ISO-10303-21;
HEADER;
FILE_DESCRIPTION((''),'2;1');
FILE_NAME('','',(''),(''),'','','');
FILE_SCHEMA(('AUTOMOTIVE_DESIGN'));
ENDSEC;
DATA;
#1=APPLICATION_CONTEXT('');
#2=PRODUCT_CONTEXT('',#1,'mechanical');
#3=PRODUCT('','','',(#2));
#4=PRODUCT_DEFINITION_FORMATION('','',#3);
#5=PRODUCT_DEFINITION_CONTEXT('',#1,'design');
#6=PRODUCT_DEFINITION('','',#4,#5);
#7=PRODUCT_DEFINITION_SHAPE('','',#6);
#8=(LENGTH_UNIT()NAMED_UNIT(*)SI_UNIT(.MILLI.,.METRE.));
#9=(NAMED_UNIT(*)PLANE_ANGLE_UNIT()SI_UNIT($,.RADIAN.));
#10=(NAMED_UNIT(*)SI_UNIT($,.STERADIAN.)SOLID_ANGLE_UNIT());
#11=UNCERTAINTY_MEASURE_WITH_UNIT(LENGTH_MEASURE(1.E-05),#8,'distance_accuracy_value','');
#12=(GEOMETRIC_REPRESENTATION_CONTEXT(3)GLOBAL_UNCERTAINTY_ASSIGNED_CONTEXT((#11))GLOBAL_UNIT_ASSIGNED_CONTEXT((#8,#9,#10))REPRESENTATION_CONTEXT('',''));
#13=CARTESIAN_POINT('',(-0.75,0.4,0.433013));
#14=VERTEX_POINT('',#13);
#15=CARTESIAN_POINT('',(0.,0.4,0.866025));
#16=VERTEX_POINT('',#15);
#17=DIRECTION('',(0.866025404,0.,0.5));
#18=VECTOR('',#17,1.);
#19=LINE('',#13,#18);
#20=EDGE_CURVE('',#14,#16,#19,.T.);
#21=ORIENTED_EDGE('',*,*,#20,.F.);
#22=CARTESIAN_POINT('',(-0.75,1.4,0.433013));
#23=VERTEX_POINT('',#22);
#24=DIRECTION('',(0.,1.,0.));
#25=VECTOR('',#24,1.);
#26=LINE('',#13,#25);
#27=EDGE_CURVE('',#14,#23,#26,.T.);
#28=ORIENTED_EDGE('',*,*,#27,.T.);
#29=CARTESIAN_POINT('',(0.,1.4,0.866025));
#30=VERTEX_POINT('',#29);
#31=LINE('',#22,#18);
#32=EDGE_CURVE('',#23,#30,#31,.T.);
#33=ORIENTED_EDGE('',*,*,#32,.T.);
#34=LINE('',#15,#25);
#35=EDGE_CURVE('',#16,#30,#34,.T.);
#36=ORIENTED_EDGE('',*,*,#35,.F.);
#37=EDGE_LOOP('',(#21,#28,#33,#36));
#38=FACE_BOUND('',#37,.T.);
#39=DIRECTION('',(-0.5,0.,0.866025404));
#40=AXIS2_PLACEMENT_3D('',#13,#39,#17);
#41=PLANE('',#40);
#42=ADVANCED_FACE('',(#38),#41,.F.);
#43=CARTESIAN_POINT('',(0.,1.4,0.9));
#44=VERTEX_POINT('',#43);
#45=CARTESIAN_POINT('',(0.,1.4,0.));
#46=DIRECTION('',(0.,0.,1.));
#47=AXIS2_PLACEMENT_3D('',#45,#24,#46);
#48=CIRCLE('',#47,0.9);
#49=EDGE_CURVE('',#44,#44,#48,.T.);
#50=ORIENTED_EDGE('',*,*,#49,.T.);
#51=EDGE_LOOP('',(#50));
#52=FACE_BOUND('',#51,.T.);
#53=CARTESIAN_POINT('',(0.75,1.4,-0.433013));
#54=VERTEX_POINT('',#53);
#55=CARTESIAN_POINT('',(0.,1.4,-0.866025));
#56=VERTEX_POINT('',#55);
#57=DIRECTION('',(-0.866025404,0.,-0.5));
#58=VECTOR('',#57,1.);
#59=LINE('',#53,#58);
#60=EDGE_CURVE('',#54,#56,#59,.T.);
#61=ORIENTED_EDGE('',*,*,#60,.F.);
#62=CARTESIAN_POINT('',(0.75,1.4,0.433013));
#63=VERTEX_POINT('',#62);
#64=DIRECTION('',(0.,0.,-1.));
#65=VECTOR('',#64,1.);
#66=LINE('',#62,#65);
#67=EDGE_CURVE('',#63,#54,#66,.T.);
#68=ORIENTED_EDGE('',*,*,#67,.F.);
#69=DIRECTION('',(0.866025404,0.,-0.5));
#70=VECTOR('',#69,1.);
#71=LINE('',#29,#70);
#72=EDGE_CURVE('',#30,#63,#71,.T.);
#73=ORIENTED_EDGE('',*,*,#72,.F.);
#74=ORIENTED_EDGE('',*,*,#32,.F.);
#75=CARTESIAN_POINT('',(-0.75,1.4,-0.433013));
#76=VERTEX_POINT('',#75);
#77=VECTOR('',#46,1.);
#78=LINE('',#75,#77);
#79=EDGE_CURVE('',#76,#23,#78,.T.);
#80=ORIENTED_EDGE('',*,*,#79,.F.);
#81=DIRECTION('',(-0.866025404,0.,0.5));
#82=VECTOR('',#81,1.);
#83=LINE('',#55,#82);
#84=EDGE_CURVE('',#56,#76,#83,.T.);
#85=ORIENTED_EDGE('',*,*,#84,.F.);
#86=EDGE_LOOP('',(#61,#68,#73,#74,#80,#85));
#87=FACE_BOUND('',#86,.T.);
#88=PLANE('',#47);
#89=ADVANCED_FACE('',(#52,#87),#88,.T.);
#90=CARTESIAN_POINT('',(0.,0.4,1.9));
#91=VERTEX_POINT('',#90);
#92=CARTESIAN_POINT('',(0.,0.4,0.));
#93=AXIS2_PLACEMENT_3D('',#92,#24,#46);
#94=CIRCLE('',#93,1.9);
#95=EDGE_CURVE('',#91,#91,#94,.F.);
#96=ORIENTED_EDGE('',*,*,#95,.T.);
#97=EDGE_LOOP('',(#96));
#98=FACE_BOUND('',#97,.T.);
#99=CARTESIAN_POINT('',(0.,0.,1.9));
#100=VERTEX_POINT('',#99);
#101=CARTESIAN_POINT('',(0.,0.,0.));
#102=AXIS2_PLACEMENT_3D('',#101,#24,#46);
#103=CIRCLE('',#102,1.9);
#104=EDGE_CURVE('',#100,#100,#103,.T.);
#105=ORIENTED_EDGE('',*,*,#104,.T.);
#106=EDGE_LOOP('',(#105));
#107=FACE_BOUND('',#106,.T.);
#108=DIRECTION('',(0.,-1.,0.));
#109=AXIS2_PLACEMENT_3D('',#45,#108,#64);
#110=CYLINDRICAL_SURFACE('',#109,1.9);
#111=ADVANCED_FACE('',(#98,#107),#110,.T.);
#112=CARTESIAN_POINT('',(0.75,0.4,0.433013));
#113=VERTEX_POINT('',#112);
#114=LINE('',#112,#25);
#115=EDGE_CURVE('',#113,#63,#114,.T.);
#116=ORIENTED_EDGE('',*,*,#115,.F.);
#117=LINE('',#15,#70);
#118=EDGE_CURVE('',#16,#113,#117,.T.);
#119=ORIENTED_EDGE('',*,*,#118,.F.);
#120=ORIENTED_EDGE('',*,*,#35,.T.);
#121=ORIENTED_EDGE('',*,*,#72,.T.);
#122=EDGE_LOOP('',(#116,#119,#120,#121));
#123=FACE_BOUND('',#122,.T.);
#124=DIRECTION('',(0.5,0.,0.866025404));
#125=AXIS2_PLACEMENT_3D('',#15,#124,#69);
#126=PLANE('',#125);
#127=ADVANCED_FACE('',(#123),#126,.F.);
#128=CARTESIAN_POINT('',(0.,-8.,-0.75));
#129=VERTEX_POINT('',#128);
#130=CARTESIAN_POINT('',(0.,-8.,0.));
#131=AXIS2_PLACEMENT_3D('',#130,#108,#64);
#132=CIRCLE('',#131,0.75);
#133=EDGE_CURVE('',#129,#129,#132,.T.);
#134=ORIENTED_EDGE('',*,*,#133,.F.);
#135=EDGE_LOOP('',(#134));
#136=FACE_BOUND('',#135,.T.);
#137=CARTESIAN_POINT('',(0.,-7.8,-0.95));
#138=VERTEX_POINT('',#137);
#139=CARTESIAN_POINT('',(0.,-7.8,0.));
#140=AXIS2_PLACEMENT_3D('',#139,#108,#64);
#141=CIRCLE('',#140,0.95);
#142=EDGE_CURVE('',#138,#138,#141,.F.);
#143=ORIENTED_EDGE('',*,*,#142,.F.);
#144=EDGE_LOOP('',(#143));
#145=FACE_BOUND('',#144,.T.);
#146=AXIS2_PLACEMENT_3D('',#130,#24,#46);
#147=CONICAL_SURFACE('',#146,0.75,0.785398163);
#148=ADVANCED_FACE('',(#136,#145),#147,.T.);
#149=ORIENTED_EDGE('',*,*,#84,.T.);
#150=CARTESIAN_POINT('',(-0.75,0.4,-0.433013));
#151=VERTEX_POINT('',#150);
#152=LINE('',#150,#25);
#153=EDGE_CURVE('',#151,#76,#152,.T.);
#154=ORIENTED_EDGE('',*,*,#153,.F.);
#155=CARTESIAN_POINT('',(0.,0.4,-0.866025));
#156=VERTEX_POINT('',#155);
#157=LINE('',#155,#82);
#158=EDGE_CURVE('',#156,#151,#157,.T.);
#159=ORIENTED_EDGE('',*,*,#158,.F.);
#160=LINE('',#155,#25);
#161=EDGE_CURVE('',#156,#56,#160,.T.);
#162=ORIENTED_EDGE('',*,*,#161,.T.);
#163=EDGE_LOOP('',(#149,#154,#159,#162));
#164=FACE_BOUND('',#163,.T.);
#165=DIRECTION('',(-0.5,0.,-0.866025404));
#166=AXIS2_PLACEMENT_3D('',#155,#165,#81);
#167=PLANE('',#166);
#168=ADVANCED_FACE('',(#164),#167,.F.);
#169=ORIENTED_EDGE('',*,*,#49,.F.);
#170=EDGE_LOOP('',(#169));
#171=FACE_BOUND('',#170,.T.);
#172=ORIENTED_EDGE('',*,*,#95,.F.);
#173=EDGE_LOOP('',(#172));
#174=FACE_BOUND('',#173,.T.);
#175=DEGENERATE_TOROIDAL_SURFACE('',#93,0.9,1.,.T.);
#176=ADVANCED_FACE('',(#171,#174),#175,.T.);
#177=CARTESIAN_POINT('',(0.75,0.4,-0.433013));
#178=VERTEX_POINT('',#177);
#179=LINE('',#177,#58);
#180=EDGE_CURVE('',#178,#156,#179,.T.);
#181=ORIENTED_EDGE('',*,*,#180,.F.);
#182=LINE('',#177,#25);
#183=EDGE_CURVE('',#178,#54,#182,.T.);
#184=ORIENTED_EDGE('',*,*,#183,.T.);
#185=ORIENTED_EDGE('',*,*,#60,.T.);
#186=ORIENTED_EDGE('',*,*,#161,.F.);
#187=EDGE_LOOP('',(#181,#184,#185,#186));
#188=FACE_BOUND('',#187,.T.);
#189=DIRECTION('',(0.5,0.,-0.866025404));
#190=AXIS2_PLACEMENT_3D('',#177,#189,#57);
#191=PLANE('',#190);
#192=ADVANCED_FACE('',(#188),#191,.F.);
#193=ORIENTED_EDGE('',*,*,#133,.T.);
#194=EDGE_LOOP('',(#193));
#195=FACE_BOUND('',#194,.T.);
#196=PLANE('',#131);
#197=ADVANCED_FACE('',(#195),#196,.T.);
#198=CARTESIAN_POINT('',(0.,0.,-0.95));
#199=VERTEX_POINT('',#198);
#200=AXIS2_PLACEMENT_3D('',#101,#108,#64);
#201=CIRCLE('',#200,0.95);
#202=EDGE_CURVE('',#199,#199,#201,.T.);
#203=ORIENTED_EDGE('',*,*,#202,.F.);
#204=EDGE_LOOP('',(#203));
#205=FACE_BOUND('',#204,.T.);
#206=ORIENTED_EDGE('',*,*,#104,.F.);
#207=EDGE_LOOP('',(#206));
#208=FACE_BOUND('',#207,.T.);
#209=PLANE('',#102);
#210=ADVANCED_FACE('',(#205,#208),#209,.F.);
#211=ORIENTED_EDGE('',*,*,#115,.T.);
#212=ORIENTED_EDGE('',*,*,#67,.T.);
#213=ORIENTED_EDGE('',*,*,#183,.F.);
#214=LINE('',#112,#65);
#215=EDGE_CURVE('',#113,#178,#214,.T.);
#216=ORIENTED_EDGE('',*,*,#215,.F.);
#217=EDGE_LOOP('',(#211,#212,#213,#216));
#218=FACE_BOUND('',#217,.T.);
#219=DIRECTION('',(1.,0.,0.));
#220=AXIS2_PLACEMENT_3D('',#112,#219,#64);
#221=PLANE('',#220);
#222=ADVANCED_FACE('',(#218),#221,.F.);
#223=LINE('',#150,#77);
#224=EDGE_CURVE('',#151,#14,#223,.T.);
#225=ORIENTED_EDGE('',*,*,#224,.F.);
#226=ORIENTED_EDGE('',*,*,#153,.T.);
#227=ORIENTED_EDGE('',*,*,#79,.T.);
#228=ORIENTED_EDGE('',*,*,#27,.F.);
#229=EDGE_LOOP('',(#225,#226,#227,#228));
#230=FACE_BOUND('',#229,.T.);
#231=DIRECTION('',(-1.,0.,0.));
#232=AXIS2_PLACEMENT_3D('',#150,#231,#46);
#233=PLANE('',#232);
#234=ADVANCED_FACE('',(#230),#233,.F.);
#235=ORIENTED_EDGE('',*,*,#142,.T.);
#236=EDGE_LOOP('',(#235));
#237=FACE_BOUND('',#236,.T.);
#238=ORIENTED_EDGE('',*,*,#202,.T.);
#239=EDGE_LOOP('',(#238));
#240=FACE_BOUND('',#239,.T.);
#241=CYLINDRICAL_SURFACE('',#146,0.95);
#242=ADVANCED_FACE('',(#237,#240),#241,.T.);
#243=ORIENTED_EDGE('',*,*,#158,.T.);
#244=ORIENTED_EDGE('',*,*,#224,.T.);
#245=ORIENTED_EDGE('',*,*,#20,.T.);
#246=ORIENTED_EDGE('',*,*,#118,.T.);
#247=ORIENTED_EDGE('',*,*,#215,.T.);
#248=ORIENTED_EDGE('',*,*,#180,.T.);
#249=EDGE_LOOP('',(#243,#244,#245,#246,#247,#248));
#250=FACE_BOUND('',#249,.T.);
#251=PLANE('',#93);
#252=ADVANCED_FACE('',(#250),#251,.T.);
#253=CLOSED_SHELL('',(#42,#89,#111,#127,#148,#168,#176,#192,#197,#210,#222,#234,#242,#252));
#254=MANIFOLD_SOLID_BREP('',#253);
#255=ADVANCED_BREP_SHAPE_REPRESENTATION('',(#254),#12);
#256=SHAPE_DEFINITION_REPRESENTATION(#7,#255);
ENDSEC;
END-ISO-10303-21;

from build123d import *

# Parameters (mm, degrees)
SKETCH_1_R          = 1.9
EXTRUDE_1_DEPTH     = 1.4
CUT_EXTRUDE_1_DEPTH = 1
FILLET_1_R          = 1
SKETCH_3_R          = 0.95
EXTRUDE_2_DEPTH     = 8
CHAMFER_1_SIZE      = 0.2


with BuildPart() as part:
    # 草图1 → 凸台-拉伸1 (new body)
    with BuildSketch(Plane(origin=(0, 0, 0), x_dir=(1, 0, 0), z_dir=(0, 1, 0))):
        Circle(SKETCH_1_R)
    extrude(amount=EXTRUDE_1_DEPTH)

    # 草图2 → 切除-拉伸1 (cut)
    with BuildSketch(Plane(origin=(0, 1.4, 0), x_dir=(1, 0, 0), z_dir=(0, 1, 0))):
        Polygon((0, -0.866025404), (0.75, -0.433012702), (0.75, 0.433012702), (0, 0.866025404), (-0.75, 0.433012702), (-0.75, -0.433012702), align=None)
    extrude(amount=-CUT_EXTRUDE_1_DEPTH, mode=Mode.SUBTRACT)

    # 圆角1
    fillet_1_edges = [part.edges().sort_by_distance(p)[0] for p in [
        (-1.9, 1.4, 0),
    ]]
    fillet(fillet_1_edges, radius=FILLET_1_R)

    # 草图3 → 凸台-拉伸2 (add)
    with BuildSketch(Plane.XZ):
        Circle(SKETCH_3_R)
    extrude(amount=EXTRUDE_2_DEPTH)

    # 倒角1
    chamfer_1_edges = [part.edges().sort_by_distance(p)[0] for p in [
        (-0.95, -8, 0),
    ]]
    chamfer(chamfer_1_edges, length=CHAMFER_1_SIZE)


solid = part.part
